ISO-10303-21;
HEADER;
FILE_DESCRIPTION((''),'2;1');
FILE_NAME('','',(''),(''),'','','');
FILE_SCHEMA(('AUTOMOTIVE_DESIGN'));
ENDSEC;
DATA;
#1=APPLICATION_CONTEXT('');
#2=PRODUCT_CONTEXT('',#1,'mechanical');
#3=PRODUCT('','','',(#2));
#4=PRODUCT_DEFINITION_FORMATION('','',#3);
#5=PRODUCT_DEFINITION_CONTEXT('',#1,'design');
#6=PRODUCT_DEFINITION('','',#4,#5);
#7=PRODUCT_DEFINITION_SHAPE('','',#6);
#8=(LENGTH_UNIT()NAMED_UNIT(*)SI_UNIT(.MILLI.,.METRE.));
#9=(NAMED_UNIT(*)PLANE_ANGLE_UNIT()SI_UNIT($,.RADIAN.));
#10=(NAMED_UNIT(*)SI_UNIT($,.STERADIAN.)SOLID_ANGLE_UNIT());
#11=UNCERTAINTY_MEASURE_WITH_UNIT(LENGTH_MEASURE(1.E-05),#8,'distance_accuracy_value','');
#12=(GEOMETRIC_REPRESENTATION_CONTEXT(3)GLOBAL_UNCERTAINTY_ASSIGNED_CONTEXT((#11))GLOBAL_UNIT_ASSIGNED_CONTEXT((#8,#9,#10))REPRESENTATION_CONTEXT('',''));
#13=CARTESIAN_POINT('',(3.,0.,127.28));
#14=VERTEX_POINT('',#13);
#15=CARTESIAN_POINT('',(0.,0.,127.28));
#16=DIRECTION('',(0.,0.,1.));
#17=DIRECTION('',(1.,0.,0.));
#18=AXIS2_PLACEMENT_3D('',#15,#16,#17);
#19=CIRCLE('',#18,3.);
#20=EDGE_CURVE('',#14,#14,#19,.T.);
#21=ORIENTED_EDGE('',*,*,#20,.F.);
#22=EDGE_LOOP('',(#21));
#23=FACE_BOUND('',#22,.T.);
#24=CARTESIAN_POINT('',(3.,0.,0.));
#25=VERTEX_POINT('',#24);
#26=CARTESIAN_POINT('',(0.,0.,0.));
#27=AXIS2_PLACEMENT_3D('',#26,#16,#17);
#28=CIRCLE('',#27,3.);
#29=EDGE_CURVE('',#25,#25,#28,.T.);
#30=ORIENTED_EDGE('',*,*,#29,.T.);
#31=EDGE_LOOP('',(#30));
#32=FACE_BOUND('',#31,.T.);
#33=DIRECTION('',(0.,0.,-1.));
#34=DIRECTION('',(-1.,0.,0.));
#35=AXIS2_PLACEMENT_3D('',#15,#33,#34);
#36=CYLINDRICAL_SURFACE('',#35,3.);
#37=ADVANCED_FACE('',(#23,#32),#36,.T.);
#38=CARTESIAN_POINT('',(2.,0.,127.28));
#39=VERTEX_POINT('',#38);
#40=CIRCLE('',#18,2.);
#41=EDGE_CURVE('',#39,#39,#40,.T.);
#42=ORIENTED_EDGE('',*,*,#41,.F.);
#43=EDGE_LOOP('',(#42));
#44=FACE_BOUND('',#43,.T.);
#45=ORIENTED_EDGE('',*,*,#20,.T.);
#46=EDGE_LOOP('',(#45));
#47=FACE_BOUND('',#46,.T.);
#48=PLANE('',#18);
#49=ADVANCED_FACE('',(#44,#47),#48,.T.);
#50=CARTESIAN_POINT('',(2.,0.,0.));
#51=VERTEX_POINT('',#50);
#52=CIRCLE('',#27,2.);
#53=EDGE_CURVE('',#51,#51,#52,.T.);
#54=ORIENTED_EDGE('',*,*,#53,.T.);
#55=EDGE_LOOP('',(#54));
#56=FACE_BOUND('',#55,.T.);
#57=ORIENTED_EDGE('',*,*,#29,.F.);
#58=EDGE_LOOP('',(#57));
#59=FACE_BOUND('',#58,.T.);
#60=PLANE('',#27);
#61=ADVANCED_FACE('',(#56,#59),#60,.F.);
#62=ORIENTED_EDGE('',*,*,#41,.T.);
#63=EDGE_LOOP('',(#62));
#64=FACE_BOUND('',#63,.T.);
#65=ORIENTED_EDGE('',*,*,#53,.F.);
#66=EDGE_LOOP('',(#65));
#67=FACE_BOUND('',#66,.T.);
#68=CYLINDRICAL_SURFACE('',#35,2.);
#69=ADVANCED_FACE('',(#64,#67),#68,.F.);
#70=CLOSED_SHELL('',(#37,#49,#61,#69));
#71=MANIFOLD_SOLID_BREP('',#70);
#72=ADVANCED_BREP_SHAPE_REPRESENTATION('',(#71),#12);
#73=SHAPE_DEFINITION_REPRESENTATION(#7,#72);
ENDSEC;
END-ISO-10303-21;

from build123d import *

# Parameters (mm, degrees)
SKETCH1_R           = 3
SKETCH1_R_2         = 2
BOSS_EXTRUDE1_DEPTH = 127.28


with BuildPart() as part:
    # Sketch1 → Boss-Extrude1 (new body)
    with BuildSketch(Plane.XY):
        Circle(SKETCH1_R)
        Circle(SKETCH1_R_2, mode=Mode.SUBTRACT)
    extrude(amount=BOSS_EXTRUDE1_DEPTH)


solid = part.part
